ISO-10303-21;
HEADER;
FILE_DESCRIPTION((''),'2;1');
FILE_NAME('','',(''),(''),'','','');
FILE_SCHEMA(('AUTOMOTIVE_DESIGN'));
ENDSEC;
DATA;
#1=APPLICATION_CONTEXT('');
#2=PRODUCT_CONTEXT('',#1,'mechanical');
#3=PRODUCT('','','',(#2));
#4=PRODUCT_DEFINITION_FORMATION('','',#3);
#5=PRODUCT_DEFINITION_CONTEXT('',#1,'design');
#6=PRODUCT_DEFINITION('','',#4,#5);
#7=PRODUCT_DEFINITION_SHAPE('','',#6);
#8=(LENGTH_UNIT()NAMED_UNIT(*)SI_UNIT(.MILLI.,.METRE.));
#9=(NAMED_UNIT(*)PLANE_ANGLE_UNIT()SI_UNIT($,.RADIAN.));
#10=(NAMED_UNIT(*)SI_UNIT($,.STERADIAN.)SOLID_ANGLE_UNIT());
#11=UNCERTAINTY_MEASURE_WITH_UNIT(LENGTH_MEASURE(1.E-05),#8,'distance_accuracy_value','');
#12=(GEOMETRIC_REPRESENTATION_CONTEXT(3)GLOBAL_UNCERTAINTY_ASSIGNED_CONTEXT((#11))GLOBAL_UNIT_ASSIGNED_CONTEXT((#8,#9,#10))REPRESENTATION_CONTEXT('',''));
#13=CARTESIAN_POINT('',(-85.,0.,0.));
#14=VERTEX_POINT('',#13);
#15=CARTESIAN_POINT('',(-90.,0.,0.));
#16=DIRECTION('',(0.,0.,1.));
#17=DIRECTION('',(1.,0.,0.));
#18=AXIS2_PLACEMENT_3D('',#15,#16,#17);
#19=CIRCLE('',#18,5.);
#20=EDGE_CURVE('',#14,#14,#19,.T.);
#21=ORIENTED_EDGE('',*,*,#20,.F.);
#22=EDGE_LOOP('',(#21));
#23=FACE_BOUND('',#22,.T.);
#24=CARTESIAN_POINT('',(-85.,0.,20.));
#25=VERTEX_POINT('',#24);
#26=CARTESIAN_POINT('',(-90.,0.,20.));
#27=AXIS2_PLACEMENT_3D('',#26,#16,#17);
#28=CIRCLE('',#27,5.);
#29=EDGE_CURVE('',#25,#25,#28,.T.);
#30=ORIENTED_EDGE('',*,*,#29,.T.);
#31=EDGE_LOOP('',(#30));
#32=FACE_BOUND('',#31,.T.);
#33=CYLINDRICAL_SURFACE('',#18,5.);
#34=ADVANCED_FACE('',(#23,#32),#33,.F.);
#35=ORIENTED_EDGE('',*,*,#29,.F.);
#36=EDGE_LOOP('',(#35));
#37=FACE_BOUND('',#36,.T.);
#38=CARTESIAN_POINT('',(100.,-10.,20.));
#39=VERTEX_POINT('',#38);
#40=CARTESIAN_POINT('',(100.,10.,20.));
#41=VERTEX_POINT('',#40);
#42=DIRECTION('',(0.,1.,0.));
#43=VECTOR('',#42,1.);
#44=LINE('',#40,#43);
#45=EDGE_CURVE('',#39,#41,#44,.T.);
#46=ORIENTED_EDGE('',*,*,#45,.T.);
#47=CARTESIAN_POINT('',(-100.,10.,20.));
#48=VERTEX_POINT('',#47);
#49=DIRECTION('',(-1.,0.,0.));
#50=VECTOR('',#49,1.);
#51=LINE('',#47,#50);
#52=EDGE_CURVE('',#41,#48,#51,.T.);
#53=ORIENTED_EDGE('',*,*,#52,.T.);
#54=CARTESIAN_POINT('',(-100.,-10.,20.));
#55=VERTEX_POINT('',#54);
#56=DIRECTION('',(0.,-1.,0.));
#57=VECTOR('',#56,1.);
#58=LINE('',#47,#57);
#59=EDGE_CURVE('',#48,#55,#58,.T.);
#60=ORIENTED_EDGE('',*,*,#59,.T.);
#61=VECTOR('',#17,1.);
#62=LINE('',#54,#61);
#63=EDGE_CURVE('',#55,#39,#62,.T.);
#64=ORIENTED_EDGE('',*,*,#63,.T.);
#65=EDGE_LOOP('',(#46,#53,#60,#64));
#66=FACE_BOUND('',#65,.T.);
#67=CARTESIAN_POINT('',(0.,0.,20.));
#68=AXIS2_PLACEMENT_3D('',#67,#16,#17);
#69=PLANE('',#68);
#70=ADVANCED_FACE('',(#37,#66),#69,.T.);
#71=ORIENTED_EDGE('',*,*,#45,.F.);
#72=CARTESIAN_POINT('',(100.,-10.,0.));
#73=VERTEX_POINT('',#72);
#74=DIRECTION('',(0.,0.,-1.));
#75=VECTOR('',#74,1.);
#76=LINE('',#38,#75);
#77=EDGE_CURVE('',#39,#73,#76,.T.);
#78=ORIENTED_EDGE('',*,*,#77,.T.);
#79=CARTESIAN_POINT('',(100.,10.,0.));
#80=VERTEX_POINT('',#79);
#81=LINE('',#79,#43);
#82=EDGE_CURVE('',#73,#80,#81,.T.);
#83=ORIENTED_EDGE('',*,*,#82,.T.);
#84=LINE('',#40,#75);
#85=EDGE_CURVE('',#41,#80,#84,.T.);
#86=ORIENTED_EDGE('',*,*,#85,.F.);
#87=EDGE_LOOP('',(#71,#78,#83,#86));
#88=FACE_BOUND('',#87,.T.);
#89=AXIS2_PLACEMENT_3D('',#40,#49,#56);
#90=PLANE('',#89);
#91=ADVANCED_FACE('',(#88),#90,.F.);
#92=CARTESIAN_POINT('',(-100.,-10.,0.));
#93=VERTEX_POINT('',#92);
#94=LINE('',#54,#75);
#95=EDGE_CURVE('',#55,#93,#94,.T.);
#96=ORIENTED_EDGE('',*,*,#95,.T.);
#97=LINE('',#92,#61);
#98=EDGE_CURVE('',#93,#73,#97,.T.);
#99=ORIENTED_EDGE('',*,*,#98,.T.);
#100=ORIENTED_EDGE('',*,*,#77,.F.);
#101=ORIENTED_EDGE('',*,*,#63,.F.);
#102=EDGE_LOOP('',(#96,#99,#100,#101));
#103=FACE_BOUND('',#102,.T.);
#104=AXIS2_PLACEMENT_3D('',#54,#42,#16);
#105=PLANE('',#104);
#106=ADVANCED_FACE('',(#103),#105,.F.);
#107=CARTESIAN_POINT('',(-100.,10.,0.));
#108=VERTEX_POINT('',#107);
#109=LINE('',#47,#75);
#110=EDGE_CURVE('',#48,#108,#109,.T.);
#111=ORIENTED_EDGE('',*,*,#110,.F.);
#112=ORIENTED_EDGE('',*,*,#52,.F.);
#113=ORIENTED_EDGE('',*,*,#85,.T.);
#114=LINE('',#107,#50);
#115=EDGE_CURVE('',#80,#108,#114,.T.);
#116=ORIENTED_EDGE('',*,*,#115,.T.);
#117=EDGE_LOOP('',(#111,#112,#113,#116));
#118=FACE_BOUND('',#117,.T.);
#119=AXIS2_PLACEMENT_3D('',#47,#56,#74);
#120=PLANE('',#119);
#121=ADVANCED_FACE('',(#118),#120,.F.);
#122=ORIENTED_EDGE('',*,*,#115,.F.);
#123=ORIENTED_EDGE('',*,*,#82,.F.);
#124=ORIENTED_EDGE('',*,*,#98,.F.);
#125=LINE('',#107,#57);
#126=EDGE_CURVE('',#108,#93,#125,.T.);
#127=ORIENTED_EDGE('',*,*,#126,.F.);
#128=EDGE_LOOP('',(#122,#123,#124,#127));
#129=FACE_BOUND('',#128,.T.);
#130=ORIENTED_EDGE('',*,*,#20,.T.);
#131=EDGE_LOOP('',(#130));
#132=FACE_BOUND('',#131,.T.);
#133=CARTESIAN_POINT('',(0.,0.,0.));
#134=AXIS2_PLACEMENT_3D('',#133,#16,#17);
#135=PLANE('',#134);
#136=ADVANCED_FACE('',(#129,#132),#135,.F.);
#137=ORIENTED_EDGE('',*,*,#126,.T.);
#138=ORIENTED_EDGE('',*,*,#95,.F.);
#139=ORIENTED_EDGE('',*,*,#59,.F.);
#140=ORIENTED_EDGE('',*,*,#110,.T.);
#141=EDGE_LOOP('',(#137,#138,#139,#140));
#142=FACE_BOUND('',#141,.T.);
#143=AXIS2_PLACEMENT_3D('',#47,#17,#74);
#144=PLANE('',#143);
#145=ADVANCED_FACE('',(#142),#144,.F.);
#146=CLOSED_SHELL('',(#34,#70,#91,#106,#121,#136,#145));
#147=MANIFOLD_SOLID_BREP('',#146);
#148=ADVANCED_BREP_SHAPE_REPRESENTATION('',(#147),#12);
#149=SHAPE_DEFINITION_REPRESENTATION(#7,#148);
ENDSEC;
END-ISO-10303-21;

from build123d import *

# Parameters (mm, degrees)
SKETCH1_W           = 200
SKETCH1_H           = 20
BOSS_EXTRUDE2_DEPTH = 20
SKETCH3_R           = 5
CUT_EXTRUDE1_DEPTH  = 103.46950766


with BuildPart() as part:
    # Sketch1 → Boss-Extrude2 (new body)
    with BuildSketch(Plane.XY):
        Rectangle(SKETCH1_W, SKETCH1_H)
    extrude(amount=BOSS_EXTRUDE2_DEPTH)

    # Sketch3 → Cut-Extrude1 (cut, through all)
    with BuildSketch(Plane.XY.offset(20)):
        with Locations((-90, 0)):
            Circle(SKETCH3_R)
    extrude(amount=-CUT_EXTRUDE1_DEPTH, mode=Mode.SUBTRACT)


solid = part.part
